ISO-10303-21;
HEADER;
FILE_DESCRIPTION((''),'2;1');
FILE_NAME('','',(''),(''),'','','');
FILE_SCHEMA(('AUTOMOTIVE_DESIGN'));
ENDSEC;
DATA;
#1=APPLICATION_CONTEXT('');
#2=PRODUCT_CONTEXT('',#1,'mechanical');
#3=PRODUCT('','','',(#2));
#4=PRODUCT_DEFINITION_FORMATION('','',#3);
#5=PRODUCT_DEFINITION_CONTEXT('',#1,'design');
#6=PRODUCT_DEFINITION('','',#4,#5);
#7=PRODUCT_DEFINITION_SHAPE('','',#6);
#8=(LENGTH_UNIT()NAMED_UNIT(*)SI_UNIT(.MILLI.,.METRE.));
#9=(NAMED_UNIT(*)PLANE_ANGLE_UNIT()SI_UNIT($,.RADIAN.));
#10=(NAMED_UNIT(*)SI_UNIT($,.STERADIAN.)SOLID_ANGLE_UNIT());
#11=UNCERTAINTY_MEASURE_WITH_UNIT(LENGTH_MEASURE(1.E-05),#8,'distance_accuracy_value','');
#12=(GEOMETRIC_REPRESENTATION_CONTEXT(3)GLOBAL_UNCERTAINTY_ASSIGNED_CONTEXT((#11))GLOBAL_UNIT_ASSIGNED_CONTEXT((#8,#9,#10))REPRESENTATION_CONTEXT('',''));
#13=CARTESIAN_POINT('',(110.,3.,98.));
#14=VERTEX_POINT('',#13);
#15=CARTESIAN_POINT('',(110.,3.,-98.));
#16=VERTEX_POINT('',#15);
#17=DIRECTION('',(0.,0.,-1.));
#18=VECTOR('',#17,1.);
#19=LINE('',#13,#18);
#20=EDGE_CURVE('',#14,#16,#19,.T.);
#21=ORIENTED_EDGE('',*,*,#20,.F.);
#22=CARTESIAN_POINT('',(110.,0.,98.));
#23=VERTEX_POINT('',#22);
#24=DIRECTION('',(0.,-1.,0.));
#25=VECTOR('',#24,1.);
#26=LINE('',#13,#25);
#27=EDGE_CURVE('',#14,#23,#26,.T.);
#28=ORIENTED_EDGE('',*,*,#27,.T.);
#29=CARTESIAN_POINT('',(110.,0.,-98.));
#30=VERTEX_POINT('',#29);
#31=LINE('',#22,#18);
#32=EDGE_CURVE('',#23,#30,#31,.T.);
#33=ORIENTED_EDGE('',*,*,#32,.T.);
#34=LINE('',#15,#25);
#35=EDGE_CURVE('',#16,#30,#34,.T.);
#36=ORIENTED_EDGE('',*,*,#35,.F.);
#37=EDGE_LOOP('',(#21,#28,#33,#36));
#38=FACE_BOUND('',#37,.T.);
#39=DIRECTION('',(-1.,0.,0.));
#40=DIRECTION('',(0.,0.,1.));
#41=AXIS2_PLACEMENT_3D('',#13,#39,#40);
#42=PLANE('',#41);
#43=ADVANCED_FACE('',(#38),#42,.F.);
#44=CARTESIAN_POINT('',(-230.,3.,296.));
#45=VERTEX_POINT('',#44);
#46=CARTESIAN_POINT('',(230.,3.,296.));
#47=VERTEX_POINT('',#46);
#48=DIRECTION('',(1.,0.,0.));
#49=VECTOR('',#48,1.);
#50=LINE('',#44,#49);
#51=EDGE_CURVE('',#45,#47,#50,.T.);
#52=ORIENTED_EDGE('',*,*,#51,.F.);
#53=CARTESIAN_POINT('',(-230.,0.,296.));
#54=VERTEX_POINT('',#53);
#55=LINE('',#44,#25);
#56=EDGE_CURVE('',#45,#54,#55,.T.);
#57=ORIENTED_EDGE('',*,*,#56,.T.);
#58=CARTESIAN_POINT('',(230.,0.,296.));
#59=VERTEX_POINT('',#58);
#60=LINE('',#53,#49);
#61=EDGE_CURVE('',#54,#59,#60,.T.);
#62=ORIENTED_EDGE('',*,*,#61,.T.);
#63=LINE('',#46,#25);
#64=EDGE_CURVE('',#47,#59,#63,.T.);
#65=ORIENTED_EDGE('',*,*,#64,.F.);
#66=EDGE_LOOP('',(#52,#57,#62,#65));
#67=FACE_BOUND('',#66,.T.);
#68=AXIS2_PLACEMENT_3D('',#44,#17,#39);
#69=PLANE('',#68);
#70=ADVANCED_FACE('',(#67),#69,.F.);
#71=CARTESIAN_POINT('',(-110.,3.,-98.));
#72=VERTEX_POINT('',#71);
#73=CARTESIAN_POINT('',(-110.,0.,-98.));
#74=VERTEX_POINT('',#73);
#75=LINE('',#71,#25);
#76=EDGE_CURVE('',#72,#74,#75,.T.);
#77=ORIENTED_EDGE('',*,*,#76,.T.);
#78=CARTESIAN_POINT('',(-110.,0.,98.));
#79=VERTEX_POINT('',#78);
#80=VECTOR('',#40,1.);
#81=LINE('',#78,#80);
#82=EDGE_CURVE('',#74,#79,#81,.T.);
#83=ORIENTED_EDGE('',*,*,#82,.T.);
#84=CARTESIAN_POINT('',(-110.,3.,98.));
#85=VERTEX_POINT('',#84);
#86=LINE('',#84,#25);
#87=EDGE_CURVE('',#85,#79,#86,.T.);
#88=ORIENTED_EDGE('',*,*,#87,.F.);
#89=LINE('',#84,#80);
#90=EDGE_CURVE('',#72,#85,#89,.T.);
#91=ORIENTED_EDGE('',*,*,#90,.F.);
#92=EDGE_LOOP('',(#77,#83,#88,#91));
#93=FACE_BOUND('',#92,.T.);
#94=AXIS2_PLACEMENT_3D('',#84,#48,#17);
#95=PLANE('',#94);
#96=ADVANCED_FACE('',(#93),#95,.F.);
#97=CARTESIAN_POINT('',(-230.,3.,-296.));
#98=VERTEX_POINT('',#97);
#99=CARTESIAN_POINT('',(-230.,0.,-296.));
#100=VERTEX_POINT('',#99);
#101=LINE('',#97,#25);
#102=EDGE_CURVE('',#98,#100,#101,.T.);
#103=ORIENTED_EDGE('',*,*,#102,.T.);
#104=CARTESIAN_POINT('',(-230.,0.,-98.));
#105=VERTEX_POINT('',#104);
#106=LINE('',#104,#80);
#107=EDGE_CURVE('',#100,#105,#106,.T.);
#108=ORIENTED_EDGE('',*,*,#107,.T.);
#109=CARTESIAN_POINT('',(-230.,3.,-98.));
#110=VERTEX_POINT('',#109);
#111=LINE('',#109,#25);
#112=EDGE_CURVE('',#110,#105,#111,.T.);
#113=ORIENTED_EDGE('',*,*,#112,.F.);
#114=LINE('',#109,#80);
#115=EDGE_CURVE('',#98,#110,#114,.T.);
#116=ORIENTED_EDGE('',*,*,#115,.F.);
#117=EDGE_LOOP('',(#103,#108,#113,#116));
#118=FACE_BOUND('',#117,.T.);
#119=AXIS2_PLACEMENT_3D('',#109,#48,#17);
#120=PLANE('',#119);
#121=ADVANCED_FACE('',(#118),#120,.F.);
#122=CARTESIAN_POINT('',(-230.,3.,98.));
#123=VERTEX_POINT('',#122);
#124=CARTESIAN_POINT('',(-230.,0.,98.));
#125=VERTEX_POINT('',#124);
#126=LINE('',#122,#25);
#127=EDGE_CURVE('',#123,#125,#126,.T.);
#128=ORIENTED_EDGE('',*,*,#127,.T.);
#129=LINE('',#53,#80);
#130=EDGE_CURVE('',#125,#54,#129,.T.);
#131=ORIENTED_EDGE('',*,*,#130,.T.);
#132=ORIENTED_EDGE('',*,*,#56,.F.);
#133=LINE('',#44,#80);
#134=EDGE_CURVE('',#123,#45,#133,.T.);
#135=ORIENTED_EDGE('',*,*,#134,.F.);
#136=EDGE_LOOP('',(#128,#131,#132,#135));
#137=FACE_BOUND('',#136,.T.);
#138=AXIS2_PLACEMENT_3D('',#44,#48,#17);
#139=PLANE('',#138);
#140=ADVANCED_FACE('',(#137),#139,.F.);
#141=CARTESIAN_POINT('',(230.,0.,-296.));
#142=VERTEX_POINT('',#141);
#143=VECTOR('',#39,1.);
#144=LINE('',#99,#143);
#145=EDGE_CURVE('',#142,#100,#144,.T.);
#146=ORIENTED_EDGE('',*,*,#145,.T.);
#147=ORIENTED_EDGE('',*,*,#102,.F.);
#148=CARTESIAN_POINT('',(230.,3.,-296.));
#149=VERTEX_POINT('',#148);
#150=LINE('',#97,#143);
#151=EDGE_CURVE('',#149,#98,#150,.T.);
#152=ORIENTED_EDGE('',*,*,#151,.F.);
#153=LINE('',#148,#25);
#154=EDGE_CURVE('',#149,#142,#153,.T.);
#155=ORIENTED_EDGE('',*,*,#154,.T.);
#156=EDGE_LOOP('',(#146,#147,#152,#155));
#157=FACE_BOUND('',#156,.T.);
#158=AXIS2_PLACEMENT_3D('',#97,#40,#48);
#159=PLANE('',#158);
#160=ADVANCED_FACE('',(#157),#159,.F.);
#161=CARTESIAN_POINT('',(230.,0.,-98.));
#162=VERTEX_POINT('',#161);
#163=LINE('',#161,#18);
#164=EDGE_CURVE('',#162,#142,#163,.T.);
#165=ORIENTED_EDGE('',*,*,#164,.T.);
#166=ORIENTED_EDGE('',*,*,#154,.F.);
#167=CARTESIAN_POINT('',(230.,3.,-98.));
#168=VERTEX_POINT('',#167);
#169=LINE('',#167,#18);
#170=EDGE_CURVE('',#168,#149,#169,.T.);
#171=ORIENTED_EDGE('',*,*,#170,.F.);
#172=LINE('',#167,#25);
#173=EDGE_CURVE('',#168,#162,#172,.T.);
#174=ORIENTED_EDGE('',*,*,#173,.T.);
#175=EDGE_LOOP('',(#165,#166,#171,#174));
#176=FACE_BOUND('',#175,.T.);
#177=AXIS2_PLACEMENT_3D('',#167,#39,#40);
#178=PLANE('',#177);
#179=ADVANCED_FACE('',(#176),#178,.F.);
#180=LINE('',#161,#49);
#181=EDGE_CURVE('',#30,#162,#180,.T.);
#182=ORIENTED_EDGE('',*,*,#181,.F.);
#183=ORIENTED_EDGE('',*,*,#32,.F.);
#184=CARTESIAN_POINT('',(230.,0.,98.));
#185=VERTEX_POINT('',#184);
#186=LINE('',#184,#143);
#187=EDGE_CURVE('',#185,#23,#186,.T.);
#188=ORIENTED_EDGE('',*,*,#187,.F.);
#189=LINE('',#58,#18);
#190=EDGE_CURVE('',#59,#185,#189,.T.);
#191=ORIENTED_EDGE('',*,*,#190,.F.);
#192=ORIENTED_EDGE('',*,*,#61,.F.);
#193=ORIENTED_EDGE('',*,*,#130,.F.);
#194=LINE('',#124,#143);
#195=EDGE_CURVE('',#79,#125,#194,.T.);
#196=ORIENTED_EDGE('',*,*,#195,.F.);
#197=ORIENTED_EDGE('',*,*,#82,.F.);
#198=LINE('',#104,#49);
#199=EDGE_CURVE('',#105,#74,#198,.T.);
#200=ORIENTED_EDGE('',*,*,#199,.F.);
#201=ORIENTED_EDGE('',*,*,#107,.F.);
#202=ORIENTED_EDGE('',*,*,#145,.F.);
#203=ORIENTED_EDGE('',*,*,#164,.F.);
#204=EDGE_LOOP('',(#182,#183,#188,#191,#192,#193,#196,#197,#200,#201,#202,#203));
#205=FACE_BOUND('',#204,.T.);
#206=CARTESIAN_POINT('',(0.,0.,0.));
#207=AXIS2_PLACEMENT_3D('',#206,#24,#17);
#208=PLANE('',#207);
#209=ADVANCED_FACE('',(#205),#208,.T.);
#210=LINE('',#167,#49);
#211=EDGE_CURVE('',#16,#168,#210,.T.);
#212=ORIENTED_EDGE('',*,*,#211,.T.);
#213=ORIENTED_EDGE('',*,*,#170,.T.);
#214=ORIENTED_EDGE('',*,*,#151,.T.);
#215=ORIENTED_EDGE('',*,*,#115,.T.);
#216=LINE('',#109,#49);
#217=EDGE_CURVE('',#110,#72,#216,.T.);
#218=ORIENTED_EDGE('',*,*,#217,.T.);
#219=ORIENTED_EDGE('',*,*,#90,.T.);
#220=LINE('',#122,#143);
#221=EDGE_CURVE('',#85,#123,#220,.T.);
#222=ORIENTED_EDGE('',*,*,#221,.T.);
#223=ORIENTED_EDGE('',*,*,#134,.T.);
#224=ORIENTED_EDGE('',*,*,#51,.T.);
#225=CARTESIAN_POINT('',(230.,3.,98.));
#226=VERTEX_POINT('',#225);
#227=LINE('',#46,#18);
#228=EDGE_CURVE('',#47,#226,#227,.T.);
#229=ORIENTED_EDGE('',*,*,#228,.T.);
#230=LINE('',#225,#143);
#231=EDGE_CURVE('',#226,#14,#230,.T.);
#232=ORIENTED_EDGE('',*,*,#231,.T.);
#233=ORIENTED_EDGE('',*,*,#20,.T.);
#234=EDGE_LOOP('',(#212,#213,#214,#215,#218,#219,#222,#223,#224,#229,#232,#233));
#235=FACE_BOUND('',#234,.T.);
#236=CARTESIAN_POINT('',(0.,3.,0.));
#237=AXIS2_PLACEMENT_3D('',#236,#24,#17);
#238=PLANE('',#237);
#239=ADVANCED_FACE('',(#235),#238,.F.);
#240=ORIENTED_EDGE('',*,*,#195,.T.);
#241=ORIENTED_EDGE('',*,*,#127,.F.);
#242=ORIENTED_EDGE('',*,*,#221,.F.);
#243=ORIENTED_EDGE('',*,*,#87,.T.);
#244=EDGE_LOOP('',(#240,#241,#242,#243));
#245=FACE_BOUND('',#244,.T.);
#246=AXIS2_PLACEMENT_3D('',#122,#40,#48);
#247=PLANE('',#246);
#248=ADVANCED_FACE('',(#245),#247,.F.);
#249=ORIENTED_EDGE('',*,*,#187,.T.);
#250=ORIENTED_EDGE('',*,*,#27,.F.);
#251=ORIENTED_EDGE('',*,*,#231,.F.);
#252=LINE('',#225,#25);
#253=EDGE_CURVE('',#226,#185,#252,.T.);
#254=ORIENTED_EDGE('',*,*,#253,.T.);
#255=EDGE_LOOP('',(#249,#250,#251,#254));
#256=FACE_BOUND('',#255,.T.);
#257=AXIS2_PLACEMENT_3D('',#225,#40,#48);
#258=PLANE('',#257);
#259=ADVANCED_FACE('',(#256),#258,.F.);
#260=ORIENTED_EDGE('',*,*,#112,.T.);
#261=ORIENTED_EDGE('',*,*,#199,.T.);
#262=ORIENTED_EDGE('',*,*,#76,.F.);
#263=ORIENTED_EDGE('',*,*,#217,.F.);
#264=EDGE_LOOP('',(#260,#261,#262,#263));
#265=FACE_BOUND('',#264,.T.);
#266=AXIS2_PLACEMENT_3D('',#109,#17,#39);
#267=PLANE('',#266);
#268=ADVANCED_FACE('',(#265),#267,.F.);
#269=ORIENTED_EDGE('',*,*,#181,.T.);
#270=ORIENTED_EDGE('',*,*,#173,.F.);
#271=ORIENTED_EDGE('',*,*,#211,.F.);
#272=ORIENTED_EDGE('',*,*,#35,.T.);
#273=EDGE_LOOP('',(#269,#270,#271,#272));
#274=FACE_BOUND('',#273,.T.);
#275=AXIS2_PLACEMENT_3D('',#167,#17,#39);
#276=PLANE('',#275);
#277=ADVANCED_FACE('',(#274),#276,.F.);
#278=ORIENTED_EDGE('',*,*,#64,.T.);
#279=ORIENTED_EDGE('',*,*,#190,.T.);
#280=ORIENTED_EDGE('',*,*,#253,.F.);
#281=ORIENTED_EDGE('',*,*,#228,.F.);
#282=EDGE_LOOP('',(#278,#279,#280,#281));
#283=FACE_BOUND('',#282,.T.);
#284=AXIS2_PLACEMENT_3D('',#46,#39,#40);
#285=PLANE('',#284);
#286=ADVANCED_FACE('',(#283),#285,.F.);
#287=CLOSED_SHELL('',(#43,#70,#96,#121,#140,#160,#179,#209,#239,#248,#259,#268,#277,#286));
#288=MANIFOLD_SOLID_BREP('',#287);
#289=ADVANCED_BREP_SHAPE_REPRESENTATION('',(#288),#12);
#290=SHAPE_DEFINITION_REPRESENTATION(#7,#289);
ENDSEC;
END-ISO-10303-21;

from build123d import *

# Parameters (mm, degrees)
BOSS_EXTRUDE1_DEPTH = 3


with BuildPart() as part:
    # Sketch1 → Boss-Extrude1 (new body)
    with BuildSketch(Plane(origin=(0, 0, 0), x_dir=(1, 0, 0), z_dir=(0, 1, 0))):
        Polygon((-230, -296), (230, -296), (230, -98), (110, -98), (110, 98), (230, 98), (230, 296), (-230, 296), (-230, 98), (-110, 98), (-110, -98), (-230, -98), align=None)
    extrude(amount=BOSS_EXTRUDE1_DEPTH)


solid = part.part
